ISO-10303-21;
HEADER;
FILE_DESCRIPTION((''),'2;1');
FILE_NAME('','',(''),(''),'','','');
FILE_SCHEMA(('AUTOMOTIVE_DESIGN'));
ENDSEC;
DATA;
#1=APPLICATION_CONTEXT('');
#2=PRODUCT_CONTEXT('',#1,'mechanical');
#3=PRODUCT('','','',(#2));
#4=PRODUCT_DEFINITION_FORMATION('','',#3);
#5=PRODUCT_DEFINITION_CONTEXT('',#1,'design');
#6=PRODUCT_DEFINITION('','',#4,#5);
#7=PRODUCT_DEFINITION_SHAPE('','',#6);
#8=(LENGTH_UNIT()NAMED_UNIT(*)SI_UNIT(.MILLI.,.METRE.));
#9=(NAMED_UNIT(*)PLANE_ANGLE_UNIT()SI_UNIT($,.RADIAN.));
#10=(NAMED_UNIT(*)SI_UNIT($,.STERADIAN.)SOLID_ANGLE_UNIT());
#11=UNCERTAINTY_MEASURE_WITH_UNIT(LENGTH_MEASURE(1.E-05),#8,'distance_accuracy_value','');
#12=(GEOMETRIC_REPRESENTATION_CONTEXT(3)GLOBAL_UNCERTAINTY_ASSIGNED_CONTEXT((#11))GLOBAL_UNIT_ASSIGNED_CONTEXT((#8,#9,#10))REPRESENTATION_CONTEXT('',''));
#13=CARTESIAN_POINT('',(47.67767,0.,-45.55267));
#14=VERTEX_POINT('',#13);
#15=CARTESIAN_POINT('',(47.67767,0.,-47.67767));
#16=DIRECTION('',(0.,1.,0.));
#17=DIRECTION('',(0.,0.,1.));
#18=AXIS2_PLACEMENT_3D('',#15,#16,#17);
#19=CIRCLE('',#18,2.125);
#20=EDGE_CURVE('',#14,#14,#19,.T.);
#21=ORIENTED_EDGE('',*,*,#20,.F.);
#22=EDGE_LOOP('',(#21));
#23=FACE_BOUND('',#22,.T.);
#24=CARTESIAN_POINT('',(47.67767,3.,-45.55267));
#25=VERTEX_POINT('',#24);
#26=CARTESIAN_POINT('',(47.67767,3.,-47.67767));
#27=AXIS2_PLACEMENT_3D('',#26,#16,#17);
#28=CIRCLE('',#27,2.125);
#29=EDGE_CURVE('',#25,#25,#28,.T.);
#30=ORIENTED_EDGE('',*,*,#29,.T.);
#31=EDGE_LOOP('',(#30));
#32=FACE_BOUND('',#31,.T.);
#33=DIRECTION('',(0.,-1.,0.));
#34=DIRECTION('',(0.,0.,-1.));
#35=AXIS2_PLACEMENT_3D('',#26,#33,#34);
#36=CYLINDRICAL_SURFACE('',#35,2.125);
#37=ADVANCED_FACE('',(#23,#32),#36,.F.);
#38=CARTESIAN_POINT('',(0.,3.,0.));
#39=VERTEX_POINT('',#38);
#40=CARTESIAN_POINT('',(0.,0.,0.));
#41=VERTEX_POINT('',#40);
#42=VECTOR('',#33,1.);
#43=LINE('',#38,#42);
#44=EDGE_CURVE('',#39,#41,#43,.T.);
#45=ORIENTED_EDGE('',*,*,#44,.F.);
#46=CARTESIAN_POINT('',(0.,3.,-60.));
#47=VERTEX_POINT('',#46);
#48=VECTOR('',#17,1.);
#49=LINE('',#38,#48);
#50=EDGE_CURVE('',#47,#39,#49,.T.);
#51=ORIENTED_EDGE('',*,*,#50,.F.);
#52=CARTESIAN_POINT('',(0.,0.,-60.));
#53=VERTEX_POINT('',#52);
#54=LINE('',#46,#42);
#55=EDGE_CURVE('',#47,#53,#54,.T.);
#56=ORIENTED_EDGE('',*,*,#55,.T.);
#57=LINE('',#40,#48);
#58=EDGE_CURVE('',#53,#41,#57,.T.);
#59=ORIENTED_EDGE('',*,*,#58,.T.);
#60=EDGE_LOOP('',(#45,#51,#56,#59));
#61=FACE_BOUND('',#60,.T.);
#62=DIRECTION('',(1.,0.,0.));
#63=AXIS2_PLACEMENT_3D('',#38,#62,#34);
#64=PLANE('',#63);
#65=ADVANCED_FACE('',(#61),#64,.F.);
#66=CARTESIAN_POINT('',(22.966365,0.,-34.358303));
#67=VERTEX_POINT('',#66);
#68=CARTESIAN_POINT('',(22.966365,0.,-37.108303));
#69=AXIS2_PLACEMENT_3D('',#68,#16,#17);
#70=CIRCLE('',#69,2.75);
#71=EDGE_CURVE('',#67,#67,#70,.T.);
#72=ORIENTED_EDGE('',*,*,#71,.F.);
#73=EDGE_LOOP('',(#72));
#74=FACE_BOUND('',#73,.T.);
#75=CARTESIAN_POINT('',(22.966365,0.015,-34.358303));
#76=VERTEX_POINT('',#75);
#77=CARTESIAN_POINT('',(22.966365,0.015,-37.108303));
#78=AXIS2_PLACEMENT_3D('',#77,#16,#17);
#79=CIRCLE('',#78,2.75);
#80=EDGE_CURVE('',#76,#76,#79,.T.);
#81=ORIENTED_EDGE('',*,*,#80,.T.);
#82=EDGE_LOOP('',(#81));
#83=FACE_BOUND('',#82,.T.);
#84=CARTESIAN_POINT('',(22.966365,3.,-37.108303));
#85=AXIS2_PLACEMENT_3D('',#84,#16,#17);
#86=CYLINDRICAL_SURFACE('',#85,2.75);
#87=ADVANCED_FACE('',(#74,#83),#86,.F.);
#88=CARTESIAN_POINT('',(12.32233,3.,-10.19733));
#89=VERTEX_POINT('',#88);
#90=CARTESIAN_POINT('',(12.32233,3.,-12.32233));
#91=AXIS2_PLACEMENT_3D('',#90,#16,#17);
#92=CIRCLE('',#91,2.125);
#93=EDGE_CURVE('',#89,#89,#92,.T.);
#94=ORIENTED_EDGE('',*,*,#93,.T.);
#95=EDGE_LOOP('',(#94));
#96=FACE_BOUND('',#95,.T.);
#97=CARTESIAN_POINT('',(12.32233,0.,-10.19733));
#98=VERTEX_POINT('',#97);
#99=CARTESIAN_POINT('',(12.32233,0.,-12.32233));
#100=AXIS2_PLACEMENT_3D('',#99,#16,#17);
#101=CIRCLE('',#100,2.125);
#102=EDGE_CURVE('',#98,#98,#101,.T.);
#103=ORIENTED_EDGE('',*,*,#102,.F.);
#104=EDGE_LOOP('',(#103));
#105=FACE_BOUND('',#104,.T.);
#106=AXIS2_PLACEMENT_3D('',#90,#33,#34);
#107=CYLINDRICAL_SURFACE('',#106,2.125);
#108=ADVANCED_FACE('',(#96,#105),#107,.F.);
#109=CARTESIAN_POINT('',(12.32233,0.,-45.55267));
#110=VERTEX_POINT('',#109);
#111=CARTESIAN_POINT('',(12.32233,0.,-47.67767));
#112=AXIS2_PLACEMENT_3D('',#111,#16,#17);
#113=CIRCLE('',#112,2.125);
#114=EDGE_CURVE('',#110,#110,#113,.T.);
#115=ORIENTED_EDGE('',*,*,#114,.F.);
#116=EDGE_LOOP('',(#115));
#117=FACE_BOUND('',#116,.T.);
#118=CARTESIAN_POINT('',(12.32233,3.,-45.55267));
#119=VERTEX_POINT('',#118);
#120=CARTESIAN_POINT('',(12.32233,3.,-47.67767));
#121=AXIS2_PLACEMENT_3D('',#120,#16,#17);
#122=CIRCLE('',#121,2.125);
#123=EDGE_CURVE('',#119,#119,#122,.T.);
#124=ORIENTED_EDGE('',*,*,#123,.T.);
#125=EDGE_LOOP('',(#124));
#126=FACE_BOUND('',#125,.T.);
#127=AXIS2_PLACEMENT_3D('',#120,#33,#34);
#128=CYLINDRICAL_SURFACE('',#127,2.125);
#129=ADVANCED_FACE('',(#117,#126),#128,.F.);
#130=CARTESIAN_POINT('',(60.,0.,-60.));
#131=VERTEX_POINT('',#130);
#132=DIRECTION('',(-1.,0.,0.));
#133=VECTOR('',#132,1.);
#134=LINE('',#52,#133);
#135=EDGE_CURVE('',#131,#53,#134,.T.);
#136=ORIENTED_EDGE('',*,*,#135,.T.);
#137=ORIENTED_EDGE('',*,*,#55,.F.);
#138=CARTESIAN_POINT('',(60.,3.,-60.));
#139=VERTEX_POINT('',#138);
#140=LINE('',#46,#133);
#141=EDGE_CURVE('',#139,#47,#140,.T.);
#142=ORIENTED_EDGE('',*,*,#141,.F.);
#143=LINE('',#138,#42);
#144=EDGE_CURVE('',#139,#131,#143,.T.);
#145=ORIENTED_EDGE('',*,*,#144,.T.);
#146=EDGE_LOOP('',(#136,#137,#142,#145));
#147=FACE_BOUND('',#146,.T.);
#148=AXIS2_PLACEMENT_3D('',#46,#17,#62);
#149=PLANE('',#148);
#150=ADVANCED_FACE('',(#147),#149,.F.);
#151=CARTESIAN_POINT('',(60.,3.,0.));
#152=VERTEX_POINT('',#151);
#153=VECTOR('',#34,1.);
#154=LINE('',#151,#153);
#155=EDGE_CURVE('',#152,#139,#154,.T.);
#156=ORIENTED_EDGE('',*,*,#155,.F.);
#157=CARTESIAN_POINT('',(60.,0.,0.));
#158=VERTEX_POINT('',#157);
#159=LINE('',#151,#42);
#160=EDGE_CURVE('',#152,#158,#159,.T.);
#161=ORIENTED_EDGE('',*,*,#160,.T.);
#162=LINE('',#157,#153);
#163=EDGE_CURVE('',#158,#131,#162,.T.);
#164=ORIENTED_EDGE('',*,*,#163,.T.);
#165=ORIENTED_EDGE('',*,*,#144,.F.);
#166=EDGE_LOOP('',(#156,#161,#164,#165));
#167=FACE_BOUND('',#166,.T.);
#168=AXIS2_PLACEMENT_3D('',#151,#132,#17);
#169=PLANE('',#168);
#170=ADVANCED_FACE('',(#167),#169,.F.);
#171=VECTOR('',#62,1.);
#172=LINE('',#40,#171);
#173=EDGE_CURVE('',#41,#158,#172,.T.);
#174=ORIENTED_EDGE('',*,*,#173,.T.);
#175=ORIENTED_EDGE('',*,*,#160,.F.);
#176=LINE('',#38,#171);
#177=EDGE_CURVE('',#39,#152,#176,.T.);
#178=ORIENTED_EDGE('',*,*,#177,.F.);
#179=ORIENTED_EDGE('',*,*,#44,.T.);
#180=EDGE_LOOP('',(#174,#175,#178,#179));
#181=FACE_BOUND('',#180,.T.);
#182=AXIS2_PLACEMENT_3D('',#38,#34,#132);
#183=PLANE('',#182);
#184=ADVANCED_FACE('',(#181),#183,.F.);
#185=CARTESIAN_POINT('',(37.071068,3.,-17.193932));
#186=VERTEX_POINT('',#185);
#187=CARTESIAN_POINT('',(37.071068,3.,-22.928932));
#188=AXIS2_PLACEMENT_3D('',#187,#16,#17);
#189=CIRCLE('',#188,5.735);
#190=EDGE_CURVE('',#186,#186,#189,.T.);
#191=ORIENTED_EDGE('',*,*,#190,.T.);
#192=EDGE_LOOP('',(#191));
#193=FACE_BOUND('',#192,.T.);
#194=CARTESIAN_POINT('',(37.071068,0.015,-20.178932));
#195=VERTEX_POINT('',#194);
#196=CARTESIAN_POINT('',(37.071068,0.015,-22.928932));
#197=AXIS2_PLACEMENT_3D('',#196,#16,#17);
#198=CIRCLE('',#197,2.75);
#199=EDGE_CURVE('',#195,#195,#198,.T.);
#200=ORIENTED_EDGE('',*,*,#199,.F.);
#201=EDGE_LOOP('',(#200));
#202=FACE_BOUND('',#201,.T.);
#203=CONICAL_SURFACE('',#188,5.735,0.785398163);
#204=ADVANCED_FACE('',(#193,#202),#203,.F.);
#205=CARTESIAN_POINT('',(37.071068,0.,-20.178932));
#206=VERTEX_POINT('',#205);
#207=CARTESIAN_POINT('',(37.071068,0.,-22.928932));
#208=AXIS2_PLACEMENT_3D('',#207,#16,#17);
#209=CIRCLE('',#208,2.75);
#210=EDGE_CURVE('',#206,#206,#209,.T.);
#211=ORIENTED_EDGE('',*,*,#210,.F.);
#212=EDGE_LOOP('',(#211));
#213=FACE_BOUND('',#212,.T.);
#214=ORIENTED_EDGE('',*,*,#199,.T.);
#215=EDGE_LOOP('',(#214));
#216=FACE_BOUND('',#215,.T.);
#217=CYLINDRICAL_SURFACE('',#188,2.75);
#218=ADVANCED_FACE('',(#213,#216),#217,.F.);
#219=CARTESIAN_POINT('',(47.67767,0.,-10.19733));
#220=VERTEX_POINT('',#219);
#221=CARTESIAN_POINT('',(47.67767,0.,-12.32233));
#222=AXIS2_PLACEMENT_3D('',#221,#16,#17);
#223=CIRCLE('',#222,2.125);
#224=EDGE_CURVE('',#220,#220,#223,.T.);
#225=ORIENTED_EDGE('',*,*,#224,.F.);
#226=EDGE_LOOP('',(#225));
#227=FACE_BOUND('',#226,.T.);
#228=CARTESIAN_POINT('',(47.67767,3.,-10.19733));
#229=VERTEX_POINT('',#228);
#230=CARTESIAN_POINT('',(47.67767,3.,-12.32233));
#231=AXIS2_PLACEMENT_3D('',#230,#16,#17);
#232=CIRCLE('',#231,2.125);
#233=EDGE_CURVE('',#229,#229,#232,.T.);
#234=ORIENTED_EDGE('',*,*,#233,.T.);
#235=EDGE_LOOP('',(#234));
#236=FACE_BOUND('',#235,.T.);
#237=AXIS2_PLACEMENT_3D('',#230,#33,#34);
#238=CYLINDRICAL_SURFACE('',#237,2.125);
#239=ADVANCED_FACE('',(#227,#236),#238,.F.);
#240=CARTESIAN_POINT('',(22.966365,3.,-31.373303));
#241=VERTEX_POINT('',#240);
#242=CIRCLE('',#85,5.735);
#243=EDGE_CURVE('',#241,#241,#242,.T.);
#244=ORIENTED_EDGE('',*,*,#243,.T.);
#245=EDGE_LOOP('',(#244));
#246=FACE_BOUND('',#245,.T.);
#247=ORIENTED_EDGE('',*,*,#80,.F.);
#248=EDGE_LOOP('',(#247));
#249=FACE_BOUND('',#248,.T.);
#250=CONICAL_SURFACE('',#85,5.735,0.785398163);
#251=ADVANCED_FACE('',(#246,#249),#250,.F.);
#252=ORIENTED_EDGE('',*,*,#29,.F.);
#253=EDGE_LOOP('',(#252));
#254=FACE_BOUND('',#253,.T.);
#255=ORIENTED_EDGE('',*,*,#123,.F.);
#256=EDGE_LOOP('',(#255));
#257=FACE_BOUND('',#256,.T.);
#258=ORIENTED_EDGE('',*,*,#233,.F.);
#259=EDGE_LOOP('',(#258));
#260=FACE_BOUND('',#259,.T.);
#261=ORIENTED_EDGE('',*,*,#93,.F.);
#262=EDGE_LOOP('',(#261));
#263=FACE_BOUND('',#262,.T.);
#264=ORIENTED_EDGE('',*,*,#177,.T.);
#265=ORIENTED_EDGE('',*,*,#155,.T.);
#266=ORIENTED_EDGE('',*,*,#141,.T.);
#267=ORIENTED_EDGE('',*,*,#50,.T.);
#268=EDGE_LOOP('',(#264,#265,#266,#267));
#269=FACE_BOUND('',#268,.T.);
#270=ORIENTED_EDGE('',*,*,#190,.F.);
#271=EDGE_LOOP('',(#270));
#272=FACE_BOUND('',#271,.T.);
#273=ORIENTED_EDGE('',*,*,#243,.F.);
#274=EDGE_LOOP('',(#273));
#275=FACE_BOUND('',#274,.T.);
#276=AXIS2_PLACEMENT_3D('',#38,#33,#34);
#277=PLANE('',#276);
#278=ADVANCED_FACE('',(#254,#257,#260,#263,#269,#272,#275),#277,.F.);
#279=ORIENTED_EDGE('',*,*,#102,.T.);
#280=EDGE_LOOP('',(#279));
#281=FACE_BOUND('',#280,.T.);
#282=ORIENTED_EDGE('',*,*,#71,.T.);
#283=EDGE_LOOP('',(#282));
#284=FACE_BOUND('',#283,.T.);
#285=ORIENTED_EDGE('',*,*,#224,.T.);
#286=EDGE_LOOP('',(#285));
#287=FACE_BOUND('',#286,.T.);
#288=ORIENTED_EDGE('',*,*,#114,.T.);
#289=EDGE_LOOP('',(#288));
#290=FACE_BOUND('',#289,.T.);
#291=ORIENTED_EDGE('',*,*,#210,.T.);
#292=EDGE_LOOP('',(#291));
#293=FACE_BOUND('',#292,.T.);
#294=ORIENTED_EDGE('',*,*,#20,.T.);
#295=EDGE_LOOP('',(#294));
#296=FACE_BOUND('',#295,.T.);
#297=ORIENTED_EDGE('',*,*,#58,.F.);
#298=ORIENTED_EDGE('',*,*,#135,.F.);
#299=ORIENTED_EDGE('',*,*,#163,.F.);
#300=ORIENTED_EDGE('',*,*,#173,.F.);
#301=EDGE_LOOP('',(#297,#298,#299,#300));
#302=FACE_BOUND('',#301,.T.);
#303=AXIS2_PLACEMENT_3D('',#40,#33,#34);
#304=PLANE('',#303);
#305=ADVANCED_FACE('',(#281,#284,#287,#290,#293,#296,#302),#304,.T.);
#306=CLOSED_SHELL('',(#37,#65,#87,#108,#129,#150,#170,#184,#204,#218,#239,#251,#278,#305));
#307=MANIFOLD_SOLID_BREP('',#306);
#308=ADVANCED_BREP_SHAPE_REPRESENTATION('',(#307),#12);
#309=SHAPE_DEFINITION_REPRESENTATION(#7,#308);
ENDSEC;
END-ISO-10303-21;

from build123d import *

# Parameters (mm, degrees)
CROQUIS1_W                                  = 60
CROQUIS1_H                                  = 60
CROQUIS1_R                                  = 2.125
CROQUIS1_R_2                                = 0.5
SALIENTE_EXTRUIR1_DEPTH                     = 3
AVELLANADO_PARA_TORNILLO_CON_CABEZA_2_COUNT = 2
AVELLANADO_PARA_TORNILLO_CON_CABEZA_2_PITCH = 19.999930309


with BuildPart() as part:
    # Croquis1 → Saliente-Extruir1 (new body)
    with BuildSketch(Plane(origin=(0, 0, 0), x_dir=(1, 0, 0), z_dir=(0, 1, 0))):
        with Locations((30, 30)):
            Rectangle(CROQUIS1_W, CROQUIS1_H)
        with Locations((12.32233047, 47.67766953)):
            Circle(CROQUIS1_R, mode=Mode.SUBTRACT)
        with Locations((12.32233047, 12.32233047)):
            Circle(CROQUIS1_R, mode=Mode.SUBTRACT)
        with Locations((47.67766953, 12.32233047)):
            Circle(CROQUIS1_R, mode=Mode.SUBTRACT)
        with Locations((47.67766953, 47.67766953)):
            Circle(CROQUIS1_R, mode=Mode.SUBTRACT)
        with Locations((22.966364616, 37.108303123)):
            Circle(CROQUIS1_R_2, mode=Mode.SUBTRACT)
        with Locations((37.071067812, 22.928932188)):
            Circle(CROQUIS1_R_2, mode=Mode.SUBTRACT)
    extrude(amount=SALIENTE_EXTRUIR1_DEPTH)

    # Croquis8 → Avellanado para tornillo con cabeza avellanada de clavija hexagonal de M53 (revolve, cut)
    with BuildSketch(Plane(origin=(22.966364616, 3, -37.108303123), x_dir=(0, 0, 1), z_dir=(1, 0, 0))):
        Polygon((0, 0), (0, 3), (2.75, 3), (2.75, 2.985), (5.735, 0), align=None)
    avellanado_para_tornillo_con_cabeza_avel = revolve(axis=Axis((22.966364616, 9.35, -37.108303123), (0, -1, 0)), mode=Mode.SUBTRACT)

    # Avellanado para tornillo con cabeza  2: Avellanado para tornillo con cabeza avellanada de clavija hexagonal de M53 ×2
    with Locations(*[Vector(0.705237617, 0, 0.708971017) * (i * AVELLANADO_PARA_TORNILLO_CON_CABEZA_2_PITCH) for i in range(1, AVELLANADO_PARA_TORNILLO_CON_CABEZA_2_COUNT)]):
        add(avellanado_para_tornillo_con_cabeza_avel, mode=Mode.SUBTRACT)


solid = part.part
